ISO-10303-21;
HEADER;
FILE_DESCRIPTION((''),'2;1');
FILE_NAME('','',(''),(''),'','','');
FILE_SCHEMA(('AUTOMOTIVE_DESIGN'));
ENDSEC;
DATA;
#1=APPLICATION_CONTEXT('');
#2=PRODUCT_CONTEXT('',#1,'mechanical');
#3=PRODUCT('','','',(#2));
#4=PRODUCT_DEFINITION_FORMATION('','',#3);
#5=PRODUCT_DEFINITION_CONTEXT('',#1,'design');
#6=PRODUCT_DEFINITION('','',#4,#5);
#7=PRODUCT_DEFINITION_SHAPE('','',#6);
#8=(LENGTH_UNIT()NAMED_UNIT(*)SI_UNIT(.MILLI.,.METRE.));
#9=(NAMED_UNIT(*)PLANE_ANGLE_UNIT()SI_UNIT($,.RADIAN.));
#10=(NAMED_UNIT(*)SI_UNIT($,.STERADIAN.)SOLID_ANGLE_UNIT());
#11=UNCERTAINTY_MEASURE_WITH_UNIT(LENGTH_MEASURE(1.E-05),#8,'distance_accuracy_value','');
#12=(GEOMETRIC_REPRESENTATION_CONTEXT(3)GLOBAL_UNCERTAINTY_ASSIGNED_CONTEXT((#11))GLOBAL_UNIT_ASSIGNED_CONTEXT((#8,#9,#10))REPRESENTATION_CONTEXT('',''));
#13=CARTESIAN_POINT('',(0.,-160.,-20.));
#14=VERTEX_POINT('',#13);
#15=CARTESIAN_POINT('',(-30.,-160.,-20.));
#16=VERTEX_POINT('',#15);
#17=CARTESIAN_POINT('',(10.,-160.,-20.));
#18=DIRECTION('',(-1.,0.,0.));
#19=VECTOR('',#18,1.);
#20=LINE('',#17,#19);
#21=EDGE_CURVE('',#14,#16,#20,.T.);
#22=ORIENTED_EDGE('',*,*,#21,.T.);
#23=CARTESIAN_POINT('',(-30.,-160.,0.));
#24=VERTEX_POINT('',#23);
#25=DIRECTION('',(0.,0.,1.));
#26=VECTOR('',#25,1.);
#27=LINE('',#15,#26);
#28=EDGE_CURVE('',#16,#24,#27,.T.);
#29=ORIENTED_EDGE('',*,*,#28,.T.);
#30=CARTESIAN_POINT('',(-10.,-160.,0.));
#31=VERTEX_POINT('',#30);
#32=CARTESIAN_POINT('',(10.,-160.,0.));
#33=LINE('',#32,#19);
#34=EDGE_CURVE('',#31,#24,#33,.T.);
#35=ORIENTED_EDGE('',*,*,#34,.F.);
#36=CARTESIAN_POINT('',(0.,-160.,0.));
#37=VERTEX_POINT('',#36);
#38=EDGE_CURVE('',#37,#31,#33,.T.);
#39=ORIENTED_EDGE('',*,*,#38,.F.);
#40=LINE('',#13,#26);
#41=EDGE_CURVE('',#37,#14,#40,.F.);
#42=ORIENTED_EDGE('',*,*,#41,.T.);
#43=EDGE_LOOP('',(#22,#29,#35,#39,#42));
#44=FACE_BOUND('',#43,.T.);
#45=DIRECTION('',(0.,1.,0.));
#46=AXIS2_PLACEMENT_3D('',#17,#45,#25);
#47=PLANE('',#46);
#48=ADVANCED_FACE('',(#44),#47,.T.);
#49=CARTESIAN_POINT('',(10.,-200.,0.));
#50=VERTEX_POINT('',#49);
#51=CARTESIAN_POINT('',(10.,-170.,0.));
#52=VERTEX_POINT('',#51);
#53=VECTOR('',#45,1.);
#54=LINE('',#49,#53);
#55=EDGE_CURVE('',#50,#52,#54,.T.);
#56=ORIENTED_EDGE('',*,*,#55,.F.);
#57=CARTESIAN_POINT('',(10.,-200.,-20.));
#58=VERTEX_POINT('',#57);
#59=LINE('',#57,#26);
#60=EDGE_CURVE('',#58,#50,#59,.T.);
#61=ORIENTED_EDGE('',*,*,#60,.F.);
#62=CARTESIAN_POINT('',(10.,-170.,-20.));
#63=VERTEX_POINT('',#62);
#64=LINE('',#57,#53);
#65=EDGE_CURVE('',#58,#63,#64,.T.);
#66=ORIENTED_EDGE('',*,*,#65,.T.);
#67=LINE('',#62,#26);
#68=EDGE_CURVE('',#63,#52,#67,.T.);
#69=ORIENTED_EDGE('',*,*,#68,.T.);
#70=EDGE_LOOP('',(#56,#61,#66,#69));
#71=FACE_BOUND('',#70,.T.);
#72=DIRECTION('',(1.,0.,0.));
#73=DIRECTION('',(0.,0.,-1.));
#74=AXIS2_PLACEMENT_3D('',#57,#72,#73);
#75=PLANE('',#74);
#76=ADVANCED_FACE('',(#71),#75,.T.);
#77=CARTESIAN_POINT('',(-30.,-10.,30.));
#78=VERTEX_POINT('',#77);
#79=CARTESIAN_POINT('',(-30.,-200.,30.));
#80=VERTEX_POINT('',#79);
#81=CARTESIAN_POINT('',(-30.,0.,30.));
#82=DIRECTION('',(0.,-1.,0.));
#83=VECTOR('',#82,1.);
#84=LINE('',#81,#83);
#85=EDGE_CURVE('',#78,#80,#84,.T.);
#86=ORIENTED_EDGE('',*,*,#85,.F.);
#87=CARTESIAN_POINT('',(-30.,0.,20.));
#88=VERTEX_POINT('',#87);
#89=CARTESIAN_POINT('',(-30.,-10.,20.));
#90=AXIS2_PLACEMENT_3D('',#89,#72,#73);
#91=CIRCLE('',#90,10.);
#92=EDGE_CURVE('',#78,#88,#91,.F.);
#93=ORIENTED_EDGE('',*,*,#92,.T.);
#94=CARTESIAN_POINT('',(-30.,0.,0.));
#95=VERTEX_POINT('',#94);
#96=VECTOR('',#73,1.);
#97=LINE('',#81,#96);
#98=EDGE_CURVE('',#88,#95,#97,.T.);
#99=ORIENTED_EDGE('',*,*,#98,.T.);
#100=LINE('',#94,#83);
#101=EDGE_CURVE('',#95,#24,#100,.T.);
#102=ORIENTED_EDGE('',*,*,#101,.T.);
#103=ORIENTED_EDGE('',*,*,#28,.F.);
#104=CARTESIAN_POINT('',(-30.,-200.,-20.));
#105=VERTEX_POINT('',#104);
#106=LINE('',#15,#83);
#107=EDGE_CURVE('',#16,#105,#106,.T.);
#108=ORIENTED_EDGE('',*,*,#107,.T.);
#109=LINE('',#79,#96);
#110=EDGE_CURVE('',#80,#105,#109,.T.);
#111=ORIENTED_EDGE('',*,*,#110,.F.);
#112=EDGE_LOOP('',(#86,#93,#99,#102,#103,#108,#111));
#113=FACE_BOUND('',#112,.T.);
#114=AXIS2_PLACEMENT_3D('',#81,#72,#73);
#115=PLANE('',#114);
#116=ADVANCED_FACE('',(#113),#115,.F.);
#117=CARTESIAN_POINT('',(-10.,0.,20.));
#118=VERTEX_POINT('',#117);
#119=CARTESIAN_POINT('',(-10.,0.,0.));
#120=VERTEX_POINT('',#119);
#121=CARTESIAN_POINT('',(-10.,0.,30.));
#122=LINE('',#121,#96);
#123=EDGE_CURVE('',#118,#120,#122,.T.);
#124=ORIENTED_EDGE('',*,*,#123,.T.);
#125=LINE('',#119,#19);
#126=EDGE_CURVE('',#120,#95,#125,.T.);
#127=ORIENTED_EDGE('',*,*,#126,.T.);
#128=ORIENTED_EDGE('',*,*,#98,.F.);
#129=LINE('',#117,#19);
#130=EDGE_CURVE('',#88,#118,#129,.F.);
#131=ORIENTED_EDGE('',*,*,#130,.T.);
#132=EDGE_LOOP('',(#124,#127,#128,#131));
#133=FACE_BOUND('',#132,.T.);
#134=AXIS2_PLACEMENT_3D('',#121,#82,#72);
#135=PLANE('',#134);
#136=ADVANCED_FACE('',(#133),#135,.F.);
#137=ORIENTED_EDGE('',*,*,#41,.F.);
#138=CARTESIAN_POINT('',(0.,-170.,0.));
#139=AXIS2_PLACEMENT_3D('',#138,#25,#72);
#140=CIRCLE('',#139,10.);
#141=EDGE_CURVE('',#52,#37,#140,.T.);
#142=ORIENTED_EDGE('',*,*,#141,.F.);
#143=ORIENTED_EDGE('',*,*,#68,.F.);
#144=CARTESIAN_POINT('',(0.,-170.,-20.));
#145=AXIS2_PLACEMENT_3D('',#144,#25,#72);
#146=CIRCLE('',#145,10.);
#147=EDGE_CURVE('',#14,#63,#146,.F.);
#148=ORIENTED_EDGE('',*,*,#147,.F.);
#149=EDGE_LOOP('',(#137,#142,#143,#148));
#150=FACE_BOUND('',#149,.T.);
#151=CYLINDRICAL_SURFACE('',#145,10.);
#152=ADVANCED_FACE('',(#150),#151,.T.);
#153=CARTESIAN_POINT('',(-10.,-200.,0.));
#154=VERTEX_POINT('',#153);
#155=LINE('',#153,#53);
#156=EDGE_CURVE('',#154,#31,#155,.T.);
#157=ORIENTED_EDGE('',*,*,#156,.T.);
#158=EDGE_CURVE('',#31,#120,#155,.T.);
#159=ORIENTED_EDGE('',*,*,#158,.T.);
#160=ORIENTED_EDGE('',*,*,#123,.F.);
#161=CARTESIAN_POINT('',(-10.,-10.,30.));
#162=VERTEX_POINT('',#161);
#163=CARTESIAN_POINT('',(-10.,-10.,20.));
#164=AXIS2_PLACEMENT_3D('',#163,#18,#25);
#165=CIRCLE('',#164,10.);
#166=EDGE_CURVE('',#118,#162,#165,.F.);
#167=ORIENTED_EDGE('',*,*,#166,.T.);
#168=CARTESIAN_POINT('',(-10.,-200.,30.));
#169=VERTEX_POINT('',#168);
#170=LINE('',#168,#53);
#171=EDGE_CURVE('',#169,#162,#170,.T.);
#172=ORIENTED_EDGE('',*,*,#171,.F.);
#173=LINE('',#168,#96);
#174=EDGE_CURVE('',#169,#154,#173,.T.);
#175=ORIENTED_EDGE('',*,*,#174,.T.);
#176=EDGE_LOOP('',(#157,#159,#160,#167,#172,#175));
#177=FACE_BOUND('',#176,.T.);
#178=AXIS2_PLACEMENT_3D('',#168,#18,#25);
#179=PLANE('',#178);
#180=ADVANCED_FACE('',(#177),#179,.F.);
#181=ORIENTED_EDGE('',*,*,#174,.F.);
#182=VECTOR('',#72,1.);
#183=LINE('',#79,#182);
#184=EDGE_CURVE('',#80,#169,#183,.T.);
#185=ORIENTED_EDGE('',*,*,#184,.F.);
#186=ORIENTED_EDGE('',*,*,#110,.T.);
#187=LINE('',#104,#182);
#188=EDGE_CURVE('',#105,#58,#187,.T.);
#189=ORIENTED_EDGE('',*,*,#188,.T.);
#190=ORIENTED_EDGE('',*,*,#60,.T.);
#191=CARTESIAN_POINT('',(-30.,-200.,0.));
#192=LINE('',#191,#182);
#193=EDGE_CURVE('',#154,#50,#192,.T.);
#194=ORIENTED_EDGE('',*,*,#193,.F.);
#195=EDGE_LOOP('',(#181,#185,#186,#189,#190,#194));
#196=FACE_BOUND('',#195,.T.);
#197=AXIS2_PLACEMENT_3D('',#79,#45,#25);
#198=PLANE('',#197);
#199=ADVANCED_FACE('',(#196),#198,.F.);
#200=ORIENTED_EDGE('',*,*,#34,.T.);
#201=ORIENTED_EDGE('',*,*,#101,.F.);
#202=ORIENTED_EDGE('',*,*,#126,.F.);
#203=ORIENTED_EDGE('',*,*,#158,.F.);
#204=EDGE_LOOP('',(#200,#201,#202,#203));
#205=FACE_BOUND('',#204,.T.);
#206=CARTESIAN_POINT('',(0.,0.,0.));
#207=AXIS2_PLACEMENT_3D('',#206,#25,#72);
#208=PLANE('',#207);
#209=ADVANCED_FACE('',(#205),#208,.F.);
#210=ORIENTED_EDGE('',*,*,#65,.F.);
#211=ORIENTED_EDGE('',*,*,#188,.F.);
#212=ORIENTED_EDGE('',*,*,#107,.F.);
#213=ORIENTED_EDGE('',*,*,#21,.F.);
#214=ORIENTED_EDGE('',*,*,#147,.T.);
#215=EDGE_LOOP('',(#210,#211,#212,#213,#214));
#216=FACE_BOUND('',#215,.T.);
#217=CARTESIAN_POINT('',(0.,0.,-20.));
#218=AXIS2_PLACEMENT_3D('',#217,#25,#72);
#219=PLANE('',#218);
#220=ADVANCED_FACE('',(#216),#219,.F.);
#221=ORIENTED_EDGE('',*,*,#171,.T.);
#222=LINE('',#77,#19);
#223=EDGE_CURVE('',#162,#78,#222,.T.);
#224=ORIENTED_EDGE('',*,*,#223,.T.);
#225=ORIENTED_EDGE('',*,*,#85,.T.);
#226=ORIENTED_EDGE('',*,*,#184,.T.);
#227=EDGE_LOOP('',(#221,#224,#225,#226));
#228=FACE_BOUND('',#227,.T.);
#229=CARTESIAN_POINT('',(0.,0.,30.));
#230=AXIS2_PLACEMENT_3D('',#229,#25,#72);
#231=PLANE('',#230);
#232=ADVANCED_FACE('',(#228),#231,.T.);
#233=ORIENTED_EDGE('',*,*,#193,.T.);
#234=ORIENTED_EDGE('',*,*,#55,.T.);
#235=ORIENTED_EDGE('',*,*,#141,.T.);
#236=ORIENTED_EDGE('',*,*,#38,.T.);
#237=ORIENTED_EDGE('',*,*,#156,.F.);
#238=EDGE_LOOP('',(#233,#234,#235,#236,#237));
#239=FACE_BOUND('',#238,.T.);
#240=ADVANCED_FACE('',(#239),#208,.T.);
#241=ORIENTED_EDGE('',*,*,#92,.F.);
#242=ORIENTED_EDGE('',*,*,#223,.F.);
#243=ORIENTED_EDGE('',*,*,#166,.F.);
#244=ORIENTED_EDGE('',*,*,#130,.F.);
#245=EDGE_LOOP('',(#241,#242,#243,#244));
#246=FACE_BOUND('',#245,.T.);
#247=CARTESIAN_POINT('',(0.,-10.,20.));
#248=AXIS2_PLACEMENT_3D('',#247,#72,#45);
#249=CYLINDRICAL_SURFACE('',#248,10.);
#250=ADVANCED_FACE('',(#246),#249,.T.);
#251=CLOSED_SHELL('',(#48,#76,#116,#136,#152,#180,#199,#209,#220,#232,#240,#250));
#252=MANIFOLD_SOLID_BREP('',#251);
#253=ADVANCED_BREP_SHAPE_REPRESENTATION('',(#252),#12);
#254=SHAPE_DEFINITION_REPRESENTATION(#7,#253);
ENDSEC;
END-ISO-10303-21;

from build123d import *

# Parameters (mm, degrees)
SKETCH1_W           = 20
SKETCH1_H           = 200
BOSS_EXTRUDE1_DEPTH = 30
SKETCH2_W           = 40
SKETCH2_H           = 40
BOSS_EXTRUDE2_DEPTH = 20
FILLET1_R           = 10


with BuildPart() as part:
    # Sketch1 → Boss-Extrude1 (new body)
    with BuildSketch(Plane.XY):
        with Locations((-20, -100)):
            Rectangle(SKETCH1_W, SKETCH1_H)
    extrude(amount=BOSS_EXTRUDE1_DEPTH)

    # Sketch2 → Boss-Extrude2 (add)
    with BuildSketch(Plane.XY):
        with Locations((-10, -180)):
            Rectangle(SKETCH2_W, SKETCH2_H)
    extrude(amount=-BOSS_EXTRUDE2_DEPTH)

    # Fillet1
    fillet1_edges = [part.edges().sort_by_distance(p)[0] for p in [
        (10, -160, -10),
        (-20, 0, 30),
    ]]
    fillet(fillet1_edges, radius=FILLET1_R)


solid = part.part
